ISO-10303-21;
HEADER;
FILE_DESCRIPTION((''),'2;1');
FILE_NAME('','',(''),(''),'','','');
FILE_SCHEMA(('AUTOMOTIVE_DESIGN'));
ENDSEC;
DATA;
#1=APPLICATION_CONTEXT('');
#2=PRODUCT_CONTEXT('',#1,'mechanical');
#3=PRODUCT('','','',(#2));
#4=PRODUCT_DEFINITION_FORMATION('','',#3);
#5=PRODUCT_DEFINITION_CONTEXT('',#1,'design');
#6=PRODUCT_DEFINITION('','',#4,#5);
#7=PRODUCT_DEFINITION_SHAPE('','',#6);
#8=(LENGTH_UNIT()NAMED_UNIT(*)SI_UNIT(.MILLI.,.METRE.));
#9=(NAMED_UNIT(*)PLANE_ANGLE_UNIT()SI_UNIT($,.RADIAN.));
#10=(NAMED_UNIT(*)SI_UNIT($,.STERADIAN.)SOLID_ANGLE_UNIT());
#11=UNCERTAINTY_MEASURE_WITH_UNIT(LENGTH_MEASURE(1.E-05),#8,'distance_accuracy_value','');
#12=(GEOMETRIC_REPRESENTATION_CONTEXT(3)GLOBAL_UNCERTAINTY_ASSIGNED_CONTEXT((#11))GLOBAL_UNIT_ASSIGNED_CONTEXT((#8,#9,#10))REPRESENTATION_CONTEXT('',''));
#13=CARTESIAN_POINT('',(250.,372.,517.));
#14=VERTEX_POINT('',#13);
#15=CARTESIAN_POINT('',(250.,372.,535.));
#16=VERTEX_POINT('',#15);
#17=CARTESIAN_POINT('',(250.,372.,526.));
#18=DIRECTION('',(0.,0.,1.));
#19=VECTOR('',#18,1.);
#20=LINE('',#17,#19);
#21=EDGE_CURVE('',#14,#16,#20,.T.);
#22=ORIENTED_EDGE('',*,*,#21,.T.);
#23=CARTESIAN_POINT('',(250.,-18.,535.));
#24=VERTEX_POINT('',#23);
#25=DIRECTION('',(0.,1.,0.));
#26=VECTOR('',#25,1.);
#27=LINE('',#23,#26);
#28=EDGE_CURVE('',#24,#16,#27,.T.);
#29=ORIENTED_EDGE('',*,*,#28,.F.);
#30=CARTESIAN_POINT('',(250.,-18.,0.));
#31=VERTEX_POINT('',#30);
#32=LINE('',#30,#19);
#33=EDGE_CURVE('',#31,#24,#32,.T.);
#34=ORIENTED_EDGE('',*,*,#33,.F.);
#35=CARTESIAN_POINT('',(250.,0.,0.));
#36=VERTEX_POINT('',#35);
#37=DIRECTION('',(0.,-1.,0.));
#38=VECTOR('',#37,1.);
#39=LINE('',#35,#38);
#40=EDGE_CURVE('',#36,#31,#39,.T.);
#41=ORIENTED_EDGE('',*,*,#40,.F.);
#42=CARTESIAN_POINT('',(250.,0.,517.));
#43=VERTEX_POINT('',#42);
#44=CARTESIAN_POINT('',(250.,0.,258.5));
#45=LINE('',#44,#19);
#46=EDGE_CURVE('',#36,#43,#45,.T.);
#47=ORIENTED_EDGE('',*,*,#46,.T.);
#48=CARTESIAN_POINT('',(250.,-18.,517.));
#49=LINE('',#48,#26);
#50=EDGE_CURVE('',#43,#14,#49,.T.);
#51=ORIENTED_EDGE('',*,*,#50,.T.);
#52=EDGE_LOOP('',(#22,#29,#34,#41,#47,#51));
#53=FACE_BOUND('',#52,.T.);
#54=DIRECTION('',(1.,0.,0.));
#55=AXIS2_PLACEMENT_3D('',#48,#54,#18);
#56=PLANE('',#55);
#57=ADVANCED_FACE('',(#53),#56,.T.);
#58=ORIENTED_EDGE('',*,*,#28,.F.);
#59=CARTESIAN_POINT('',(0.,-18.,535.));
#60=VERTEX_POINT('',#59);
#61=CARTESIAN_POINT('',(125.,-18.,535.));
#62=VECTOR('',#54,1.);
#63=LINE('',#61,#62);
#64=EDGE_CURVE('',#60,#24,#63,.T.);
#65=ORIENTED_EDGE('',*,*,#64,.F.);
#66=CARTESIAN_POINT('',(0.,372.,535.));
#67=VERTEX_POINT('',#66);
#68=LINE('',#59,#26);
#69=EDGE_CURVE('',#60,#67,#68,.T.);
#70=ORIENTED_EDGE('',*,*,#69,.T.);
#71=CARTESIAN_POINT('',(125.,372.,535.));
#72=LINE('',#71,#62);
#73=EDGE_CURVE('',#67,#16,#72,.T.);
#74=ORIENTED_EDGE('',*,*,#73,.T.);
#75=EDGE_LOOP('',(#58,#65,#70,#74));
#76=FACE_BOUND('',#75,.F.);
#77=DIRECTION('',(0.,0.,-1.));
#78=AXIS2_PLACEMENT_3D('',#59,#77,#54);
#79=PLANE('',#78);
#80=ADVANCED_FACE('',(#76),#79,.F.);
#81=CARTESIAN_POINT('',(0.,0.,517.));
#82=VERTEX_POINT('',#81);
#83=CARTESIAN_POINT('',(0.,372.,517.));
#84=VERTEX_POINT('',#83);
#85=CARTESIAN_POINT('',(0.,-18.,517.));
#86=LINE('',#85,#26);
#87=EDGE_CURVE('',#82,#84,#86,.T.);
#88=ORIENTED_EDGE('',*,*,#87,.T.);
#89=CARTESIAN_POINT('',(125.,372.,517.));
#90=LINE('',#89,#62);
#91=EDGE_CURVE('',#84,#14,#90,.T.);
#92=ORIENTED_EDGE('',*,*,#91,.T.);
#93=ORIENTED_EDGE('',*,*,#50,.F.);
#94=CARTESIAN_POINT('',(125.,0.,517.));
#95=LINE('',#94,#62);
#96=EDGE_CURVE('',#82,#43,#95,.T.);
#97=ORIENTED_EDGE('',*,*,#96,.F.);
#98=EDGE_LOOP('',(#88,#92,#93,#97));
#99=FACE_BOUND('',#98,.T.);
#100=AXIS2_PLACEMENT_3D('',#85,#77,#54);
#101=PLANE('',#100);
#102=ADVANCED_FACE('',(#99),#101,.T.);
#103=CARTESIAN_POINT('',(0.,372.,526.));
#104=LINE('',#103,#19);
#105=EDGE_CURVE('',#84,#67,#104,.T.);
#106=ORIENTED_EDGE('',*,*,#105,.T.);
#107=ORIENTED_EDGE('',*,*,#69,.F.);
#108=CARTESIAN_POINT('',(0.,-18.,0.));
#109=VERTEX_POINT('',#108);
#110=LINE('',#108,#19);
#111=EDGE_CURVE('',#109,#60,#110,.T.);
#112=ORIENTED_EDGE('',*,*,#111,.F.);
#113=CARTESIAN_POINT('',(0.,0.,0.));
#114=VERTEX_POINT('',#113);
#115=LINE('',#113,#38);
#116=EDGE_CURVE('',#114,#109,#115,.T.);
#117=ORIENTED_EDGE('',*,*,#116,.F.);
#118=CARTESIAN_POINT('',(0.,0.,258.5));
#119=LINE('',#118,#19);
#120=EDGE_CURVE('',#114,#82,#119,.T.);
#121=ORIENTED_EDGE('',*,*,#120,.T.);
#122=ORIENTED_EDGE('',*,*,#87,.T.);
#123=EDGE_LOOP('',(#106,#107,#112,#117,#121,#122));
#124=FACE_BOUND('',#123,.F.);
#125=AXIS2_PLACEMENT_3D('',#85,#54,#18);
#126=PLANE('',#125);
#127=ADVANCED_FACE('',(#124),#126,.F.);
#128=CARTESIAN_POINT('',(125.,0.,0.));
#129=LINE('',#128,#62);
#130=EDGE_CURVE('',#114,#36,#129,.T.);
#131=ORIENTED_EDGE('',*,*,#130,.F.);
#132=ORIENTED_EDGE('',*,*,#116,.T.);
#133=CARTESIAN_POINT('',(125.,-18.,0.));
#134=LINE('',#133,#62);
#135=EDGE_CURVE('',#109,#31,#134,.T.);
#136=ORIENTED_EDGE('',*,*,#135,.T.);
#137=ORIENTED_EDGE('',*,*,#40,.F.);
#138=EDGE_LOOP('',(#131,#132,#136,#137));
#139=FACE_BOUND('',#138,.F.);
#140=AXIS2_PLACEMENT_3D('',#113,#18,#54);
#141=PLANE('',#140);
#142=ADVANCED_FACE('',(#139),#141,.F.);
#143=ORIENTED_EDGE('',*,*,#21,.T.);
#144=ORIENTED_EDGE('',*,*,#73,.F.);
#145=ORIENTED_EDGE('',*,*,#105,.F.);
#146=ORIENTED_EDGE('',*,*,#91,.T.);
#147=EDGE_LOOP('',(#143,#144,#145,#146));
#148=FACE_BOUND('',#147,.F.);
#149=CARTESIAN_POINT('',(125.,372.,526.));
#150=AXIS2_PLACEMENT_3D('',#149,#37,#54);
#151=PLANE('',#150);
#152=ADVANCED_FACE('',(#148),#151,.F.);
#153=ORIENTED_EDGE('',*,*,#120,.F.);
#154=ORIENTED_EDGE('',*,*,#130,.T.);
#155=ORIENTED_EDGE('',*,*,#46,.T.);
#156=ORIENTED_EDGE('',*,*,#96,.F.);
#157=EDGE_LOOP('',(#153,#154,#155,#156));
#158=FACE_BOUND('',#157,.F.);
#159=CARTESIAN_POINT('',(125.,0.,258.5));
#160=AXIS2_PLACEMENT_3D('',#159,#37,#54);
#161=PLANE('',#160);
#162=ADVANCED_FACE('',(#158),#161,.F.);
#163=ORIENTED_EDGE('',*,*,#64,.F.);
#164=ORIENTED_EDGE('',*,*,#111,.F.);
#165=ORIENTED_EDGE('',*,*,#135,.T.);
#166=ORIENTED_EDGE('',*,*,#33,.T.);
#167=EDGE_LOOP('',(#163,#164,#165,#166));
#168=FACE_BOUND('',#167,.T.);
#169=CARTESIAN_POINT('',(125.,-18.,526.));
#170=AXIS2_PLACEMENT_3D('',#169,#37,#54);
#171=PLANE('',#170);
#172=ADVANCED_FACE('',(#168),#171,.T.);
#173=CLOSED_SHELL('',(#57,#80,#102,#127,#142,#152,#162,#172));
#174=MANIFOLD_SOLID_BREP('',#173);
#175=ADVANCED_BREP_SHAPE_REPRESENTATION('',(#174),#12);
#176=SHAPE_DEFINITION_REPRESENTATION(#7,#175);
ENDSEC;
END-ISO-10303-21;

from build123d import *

# Parameters (mm, degrees)
F0_W     = 250
F0_H     = 517
F1_DEPTH = 18
F2_W     = 250
F2_H     = 18
F3_DEPTH = 390


with BuildPart() as f1:
    # F0 (on Front) → F1 (new body)
    with BuildSketch(Plane.XZ):
        with Locations((125, 258.5)):
            Rectangle(F0_W, F0_H)
    extrude(amount=F1_DEPTH)

    # F2 (on face) → F3 (join)
    with BuildSketch(Plane.XZ.offset(18)):
        with Locations((125, 526)):
            Rectangle(F2_W, F2_H)
    extrude(amount=-F3_DEPTH)


solid = f1.part
